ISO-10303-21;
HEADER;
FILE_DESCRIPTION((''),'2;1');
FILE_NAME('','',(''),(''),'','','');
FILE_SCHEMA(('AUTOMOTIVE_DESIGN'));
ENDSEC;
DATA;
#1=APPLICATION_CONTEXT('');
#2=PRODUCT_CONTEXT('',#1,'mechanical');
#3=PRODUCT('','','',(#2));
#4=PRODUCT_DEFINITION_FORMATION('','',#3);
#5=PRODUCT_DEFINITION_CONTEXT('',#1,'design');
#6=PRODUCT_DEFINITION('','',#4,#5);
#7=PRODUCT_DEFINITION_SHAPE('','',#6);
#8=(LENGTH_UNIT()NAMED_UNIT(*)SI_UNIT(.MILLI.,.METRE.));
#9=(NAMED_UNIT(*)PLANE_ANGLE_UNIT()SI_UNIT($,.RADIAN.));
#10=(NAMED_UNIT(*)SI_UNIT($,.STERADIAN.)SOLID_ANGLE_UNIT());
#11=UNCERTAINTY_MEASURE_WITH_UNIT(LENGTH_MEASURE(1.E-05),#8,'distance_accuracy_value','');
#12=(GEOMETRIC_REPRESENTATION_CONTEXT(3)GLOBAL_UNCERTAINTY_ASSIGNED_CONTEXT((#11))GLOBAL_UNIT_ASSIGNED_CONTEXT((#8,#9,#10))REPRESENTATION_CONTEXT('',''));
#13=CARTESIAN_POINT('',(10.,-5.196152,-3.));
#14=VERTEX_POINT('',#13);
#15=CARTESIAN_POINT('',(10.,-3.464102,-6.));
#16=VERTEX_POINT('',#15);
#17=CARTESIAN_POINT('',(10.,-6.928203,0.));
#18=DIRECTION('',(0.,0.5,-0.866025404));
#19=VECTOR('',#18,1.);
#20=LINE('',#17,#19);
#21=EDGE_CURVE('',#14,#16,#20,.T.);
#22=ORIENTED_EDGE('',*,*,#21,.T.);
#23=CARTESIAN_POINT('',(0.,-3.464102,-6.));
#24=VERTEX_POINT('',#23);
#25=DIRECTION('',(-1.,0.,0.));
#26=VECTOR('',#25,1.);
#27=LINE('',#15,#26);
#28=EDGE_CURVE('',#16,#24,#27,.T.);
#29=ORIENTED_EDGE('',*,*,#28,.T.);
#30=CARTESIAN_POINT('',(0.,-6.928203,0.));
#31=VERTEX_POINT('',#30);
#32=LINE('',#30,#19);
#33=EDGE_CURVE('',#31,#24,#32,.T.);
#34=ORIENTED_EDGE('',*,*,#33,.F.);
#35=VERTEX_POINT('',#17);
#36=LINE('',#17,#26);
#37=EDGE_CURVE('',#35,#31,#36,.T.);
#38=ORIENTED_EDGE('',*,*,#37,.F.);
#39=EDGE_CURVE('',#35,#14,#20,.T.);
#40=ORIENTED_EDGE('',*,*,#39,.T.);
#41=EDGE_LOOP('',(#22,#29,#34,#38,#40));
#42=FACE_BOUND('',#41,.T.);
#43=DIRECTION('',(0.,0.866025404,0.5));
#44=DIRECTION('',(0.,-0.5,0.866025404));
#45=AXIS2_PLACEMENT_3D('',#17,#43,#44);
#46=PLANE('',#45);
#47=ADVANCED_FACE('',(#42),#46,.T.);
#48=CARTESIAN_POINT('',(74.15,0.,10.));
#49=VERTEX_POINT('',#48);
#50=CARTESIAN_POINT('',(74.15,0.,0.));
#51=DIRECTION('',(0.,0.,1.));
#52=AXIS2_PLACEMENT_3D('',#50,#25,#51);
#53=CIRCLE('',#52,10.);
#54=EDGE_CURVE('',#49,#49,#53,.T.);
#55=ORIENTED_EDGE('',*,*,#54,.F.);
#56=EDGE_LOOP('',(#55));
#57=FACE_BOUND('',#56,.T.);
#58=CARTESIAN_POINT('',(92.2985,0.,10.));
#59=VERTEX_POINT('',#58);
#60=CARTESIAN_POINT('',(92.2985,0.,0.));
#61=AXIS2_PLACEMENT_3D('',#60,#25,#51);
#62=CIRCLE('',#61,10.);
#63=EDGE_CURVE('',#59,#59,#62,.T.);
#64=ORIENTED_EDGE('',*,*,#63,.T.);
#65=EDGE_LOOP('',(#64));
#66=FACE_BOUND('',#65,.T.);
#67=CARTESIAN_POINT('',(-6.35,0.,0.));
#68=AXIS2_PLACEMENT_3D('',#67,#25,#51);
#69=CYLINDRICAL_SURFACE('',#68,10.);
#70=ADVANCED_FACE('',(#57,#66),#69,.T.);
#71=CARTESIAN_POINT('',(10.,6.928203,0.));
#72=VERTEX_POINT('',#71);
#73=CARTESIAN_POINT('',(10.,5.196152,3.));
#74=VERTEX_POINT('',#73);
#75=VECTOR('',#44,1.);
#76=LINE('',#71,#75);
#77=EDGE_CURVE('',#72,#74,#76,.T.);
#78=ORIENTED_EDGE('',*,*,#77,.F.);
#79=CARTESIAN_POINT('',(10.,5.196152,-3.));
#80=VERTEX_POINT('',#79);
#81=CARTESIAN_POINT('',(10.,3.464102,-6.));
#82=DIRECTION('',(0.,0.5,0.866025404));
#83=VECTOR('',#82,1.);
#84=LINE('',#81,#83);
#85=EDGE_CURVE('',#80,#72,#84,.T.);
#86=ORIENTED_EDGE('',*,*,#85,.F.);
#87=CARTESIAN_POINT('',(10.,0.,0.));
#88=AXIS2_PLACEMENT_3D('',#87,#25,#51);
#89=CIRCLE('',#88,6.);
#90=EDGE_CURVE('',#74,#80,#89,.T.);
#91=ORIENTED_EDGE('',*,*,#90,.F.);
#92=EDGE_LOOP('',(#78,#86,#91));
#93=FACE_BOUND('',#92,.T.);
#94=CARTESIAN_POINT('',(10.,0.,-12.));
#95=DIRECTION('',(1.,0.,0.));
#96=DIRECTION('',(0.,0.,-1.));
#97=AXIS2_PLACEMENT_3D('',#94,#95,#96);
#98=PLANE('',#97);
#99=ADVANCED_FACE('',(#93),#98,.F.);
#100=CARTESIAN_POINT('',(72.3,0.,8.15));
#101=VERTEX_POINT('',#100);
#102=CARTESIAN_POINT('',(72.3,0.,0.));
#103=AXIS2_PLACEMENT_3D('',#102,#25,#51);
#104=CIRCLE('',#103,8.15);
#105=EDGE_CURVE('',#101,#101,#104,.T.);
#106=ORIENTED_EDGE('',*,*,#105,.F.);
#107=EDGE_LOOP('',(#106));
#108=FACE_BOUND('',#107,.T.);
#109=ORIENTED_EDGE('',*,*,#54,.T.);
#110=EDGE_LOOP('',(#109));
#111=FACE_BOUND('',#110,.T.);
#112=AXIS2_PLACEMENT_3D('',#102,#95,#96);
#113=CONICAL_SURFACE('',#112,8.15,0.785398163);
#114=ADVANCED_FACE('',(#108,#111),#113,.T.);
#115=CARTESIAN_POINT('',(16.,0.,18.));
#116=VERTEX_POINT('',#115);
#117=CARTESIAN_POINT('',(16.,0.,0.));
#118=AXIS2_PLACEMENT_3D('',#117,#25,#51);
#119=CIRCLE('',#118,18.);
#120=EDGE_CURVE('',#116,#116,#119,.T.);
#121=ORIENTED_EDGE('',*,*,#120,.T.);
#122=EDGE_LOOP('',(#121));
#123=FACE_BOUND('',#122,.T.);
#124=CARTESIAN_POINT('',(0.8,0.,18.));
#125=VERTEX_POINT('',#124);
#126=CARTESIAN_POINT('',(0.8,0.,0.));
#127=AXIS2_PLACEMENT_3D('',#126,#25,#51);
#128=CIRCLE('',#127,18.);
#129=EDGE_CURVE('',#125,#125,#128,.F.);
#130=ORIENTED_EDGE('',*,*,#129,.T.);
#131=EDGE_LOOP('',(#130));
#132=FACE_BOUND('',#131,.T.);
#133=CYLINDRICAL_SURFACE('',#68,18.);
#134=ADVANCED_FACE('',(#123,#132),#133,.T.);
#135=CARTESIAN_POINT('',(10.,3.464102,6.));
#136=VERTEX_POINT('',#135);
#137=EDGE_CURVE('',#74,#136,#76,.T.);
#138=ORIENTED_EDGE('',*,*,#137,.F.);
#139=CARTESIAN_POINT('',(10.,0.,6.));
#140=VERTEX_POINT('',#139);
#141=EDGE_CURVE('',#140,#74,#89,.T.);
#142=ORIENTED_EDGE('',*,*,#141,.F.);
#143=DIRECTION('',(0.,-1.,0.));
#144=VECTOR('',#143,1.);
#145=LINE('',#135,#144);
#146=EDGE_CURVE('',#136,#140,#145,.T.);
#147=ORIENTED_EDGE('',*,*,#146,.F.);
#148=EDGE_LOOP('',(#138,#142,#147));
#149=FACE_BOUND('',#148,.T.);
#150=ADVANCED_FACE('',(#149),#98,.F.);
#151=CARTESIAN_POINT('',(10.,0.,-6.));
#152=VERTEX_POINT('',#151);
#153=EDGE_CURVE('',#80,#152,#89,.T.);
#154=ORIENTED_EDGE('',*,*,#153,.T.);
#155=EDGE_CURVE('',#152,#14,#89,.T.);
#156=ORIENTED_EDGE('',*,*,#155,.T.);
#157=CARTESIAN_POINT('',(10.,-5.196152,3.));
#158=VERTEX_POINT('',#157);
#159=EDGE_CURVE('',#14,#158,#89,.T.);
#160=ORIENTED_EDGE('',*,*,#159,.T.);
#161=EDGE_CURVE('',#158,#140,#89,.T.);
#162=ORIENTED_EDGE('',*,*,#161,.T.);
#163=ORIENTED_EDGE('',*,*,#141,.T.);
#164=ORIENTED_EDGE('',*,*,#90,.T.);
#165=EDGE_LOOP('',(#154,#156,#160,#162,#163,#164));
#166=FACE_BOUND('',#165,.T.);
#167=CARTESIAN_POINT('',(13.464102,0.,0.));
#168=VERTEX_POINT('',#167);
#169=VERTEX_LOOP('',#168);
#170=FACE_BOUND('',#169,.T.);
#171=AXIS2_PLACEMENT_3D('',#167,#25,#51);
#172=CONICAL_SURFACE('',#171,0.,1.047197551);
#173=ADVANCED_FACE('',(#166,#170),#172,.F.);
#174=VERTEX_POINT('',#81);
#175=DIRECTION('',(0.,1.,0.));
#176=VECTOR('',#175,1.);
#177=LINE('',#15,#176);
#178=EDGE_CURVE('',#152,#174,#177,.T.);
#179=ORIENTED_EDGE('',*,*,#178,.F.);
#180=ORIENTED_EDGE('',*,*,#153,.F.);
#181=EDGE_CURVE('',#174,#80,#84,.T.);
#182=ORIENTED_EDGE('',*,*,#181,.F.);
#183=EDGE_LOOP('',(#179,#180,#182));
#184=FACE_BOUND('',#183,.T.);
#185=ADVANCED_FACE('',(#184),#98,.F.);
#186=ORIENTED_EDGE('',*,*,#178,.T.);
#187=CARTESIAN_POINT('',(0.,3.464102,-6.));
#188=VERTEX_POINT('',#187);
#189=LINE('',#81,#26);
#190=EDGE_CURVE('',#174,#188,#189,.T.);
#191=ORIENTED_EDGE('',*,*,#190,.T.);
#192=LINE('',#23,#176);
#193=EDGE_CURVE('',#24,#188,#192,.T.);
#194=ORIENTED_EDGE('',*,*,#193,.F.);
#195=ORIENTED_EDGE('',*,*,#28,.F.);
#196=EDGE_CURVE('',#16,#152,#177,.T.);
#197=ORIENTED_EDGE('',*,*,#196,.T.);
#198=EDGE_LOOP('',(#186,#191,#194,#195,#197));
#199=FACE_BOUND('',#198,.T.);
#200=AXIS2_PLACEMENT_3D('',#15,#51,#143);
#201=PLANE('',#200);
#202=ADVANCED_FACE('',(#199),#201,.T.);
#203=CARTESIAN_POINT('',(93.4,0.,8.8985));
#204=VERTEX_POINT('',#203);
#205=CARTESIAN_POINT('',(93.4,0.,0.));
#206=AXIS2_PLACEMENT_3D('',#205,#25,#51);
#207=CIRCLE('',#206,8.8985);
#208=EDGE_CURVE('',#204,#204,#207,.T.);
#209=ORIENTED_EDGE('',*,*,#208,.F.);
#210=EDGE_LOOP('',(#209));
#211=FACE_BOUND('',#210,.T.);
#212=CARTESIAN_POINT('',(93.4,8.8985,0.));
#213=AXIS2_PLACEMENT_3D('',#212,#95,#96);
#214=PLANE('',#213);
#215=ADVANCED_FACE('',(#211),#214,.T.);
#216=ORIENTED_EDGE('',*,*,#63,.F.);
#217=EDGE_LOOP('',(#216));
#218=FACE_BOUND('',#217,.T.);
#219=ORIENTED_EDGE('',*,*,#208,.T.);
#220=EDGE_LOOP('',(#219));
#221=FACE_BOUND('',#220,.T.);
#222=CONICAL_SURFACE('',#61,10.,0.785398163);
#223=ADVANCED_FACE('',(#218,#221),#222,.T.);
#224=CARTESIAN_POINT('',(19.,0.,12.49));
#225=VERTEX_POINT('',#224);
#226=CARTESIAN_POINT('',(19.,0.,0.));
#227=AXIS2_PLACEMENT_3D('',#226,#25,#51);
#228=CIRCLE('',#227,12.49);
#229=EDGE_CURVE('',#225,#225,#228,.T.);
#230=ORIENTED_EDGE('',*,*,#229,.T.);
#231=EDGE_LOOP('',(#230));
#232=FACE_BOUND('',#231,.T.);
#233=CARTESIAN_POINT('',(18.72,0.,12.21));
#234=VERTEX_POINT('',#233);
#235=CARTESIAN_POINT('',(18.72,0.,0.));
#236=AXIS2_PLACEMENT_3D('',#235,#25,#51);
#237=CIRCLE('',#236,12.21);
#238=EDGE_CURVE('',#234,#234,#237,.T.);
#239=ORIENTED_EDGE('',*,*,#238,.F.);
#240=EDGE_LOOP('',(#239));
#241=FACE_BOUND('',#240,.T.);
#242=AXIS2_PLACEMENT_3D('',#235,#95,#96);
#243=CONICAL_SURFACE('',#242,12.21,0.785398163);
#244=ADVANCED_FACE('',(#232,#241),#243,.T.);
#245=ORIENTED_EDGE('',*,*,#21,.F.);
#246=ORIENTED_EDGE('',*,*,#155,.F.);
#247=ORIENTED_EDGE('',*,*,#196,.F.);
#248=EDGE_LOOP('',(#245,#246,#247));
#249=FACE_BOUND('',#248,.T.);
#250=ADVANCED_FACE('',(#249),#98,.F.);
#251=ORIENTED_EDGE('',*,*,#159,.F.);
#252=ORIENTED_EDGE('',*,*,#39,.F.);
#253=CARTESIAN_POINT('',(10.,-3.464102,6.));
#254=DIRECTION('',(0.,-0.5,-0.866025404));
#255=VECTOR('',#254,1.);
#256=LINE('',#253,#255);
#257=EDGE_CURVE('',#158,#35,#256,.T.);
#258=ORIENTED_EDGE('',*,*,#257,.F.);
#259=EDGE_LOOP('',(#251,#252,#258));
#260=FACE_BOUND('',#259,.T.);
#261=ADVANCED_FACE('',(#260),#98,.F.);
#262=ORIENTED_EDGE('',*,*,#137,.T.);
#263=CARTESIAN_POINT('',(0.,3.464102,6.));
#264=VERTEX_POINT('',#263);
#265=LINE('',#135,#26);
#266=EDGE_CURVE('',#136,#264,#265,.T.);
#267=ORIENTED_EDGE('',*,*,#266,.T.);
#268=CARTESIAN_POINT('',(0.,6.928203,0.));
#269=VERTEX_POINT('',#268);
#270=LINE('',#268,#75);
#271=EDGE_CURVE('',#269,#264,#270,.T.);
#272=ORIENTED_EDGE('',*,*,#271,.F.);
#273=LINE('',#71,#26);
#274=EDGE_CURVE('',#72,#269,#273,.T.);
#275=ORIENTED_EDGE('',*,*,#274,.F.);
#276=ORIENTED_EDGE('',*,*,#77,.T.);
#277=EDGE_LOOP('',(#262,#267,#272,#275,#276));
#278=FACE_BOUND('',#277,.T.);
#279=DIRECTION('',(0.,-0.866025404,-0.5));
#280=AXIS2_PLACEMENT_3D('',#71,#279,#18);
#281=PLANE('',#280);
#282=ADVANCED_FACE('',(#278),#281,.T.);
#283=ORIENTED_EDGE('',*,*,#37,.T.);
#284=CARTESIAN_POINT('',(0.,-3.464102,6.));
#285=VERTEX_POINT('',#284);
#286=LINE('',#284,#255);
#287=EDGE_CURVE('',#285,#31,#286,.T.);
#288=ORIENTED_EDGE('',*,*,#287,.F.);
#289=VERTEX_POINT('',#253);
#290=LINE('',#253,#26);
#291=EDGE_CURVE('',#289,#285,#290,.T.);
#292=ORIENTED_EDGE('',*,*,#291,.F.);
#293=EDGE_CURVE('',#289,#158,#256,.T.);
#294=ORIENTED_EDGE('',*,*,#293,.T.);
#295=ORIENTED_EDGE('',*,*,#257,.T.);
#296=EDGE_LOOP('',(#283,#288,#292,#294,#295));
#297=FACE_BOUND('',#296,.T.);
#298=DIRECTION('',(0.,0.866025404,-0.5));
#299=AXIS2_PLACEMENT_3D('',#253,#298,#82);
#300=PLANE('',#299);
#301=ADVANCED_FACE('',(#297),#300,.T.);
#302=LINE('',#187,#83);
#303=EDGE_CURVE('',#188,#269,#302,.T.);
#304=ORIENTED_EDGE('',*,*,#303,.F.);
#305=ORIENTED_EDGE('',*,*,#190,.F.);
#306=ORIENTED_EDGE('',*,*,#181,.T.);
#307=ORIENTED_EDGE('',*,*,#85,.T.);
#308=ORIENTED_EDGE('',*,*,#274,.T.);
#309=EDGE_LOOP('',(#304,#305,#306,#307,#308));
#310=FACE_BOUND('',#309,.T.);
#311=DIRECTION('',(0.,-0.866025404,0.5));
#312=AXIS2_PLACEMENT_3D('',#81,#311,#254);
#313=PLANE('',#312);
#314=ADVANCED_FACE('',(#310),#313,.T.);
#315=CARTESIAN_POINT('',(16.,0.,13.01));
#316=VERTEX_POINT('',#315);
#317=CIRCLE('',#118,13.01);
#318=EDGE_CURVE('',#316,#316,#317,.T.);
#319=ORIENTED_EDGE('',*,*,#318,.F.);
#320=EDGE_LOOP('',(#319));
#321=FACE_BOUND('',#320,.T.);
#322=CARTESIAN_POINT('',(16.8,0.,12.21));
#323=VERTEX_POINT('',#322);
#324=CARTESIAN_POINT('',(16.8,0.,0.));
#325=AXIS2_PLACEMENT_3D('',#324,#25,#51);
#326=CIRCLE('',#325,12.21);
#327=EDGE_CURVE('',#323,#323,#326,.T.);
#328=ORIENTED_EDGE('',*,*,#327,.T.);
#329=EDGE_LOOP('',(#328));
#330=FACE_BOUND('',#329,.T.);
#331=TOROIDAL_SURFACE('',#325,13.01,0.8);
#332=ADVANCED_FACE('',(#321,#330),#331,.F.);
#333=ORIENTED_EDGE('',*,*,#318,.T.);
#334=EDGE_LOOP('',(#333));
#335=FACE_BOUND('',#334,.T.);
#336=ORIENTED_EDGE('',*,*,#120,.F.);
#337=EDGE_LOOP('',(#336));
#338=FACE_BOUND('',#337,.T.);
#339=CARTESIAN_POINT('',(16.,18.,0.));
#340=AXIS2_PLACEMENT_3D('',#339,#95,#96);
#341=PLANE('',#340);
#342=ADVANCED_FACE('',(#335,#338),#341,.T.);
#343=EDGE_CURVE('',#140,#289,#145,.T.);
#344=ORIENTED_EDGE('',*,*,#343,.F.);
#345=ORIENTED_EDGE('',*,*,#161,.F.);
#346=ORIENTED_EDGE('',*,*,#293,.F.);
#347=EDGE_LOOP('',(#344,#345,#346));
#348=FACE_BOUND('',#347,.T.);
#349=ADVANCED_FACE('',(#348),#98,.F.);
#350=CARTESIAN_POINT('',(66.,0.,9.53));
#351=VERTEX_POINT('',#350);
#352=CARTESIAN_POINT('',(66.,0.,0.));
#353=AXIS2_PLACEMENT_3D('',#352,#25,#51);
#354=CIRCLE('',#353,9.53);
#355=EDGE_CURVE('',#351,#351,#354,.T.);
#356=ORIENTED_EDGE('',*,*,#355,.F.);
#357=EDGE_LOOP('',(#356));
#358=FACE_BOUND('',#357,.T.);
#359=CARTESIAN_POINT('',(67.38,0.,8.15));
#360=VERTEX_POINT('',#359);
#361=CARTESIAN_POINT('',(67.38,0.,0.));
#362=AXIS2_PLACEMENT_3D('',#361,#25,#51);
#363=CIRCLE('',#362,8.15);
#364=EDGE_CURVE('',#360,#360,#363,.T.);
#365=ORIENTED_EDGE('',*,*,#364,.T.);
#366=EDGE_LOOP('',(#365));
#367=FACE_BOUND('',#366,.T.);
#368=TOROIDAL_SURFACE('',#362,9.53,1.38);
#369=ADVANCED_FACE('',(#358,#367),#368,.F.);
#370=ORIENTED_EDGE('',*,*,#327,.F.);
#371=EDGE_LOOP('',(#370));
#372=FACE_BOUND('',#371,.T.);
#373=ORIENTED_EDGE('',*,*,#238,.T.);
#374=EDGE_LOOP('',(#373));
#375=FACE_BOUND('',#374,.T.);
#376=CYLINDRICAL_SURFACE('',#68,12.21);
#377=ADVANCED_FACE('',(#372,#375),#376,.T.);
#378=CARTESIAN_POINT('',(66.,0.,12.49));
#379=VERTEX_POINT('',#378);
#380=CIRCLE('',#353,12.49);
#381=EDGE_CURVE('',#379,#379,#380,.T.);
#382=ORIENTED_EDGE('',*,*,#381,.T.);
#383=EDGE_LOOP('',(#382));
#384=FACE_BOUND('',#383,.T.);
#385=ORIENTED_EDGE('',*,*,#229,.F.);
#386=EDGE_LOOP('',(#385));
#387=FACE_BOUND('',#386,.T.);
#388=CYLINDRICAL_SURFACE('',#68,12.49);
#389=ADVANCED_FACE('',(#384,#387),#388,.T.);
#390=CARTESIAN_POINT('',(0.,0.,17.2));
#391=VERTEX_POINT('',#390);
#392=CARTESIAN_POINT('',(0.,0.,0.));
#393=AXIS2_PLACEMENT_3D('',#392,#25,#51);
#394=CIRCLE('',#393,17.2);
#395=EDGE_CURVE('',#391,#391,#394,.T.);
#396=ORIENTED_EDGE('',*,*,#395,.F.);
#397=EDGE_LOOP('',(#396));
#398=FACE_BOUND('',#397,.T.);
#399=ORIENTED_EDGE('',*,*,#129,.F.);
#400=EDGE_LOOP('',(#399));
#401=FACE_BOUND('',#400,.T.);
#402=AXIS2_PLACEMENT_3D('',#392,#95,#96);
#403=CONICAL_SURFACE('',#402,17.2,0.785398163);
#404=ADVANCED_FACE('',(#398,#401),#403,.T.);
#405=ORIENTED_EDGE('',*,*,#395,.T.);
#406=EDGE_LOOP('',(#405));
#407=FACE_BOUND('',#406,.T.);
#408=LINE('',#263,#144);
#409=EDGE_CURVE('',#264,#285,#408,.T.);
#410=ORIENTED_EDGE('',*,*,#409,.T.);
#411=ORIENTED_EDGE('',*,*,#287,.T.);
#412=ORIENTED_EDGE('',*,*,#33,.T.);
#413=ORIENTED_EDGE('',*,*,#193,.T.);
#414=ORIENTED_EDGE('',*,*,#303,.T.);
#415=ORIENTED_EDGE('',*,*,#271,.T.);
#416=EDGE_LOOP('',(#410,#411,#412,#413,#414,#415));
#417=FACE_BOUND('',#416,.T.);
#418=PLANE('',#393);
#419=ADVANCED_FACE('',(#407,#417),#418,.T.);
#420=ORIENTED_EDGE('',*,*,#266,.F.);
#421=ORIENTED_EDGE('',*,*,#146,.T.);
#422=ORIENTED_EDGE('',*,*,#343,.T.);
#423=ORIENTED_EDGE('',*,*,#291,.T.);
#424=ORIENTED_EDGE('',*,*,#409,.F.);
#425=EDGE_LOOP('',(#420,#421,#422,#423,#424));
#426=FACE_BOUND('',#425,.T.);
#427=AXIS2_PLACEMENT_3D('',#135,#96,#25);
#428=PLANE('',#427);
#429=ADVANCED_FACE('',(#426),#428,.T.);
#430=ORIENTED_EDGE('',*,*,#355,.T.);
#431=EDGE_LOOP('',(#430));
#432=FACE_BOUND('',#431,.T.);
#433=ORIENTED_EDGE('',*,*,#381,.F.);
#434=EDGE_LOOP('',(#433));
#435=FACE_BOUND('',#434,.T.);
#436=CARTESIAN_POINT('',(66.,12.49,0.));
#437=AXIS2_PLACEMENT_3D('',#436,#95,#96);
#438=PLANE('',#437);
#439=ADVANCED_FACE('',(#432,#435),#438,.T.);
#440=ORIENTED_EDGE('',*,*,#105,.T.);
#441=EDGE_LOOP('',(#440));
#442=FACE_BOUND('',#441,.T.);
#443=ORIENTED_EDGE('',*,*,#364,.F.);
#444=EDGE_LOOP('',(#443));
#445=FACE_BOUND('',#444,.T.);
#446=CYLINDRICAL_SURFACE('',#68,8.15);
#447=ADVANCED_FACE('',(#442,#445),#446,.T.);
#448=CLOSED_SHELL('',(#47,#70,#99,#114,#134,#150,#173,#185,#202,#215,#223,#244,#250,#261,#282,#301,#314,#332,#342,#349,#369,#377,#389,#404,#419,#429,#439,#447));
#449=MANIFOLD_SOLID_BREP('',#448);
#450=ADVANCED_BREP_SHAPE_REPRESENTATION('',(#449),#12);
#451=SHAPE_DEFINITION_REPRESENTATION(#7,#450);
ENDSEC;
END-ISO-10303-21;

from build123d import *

# Parameters (mm, degrees)
CHAMFER1_SIZE = 0.8
HEX_2_DEPTH   = 10


with BuildPart() as part:
    # BodySke → BaseBody (revolve)
    with BuildSketch(Plane.XY, mode=Mode.PRIVATE) as basebody_sk:
        with BuildLine():
            Line((0, 0), (0, 18))
            Line((0, 18), (16, 18))
            Line((16, 18), (16, 13.01))
            ThreePointArc((16, 13.01), (16.234314575, 12.444314575), (16.8, 12.21))
            Line((16.8, 12.21), (18.72, 12.21))
            Line((18.72, 12.21), (19, 12.49))
            Line((19, 12.49), (66, 12.49))
            Line((66, 12.49), (66, 9.53))
            ThreePointArc((66, 9.53), (66.404192642, 8.554192642), (67.38, 8.15))
            Line((67.38, 8.15), (72.3, 8.15))
            Line((72.3, 8.15), (74.15, 10))
            Line((74.15, 10), (92.2985, 10))
            Line((92.2985, 10), (93.4, 8.8985))
            Line((93.4, 8.8985), (93.4, 0))
            Line((93.4, 0), (0, 0))
        make_face()
    revolve(basebody_sk.sketch.rotate(Axis((-6.35, 0, 0), (1, 0, 0)), 90), axis=Axis((-6.35, 0, 0), (1, 0, 0)))

    # Chamfer1
    chamfer1_edges = [part.edges().sort_by_distance(p)[0] for p in [
        (0, 0, -18),
    ]]
    chamfer(chamfer1_edges, length=CHAMFER1_SIZE)

    # Sketch2 → PreBroach (revolve, cut)
    with BuildSketch(Plane.XY, mode=Mode.PRIVATE) as prebroach_sk:
        Polygon((0, 6), (10, 6), (13.464101615, 0), (0, 0), align=None)
    revolve(prebroach_sk.sketch.rotate(Axis((0, 0, 0), (1, 0, 0)), 90), axis=Axis((0, 0, 0), (1, 0, 0)), mode=Mode.SUBTRACT)

    # Sketch3 → Hex 2 (cut)
    with BuildSketch(Plane.ZY):
        Polygon((-6, -3.464101615), (-6, 3.464101615), (0, 6.92820323), (6, 3.464101615), (6, -3.464101615), (0, -6.92820323), align=None)
    extrude(amount=-HEX_2_DEPTH, mode=Mode.SUBTRACT)


solid = part.part
